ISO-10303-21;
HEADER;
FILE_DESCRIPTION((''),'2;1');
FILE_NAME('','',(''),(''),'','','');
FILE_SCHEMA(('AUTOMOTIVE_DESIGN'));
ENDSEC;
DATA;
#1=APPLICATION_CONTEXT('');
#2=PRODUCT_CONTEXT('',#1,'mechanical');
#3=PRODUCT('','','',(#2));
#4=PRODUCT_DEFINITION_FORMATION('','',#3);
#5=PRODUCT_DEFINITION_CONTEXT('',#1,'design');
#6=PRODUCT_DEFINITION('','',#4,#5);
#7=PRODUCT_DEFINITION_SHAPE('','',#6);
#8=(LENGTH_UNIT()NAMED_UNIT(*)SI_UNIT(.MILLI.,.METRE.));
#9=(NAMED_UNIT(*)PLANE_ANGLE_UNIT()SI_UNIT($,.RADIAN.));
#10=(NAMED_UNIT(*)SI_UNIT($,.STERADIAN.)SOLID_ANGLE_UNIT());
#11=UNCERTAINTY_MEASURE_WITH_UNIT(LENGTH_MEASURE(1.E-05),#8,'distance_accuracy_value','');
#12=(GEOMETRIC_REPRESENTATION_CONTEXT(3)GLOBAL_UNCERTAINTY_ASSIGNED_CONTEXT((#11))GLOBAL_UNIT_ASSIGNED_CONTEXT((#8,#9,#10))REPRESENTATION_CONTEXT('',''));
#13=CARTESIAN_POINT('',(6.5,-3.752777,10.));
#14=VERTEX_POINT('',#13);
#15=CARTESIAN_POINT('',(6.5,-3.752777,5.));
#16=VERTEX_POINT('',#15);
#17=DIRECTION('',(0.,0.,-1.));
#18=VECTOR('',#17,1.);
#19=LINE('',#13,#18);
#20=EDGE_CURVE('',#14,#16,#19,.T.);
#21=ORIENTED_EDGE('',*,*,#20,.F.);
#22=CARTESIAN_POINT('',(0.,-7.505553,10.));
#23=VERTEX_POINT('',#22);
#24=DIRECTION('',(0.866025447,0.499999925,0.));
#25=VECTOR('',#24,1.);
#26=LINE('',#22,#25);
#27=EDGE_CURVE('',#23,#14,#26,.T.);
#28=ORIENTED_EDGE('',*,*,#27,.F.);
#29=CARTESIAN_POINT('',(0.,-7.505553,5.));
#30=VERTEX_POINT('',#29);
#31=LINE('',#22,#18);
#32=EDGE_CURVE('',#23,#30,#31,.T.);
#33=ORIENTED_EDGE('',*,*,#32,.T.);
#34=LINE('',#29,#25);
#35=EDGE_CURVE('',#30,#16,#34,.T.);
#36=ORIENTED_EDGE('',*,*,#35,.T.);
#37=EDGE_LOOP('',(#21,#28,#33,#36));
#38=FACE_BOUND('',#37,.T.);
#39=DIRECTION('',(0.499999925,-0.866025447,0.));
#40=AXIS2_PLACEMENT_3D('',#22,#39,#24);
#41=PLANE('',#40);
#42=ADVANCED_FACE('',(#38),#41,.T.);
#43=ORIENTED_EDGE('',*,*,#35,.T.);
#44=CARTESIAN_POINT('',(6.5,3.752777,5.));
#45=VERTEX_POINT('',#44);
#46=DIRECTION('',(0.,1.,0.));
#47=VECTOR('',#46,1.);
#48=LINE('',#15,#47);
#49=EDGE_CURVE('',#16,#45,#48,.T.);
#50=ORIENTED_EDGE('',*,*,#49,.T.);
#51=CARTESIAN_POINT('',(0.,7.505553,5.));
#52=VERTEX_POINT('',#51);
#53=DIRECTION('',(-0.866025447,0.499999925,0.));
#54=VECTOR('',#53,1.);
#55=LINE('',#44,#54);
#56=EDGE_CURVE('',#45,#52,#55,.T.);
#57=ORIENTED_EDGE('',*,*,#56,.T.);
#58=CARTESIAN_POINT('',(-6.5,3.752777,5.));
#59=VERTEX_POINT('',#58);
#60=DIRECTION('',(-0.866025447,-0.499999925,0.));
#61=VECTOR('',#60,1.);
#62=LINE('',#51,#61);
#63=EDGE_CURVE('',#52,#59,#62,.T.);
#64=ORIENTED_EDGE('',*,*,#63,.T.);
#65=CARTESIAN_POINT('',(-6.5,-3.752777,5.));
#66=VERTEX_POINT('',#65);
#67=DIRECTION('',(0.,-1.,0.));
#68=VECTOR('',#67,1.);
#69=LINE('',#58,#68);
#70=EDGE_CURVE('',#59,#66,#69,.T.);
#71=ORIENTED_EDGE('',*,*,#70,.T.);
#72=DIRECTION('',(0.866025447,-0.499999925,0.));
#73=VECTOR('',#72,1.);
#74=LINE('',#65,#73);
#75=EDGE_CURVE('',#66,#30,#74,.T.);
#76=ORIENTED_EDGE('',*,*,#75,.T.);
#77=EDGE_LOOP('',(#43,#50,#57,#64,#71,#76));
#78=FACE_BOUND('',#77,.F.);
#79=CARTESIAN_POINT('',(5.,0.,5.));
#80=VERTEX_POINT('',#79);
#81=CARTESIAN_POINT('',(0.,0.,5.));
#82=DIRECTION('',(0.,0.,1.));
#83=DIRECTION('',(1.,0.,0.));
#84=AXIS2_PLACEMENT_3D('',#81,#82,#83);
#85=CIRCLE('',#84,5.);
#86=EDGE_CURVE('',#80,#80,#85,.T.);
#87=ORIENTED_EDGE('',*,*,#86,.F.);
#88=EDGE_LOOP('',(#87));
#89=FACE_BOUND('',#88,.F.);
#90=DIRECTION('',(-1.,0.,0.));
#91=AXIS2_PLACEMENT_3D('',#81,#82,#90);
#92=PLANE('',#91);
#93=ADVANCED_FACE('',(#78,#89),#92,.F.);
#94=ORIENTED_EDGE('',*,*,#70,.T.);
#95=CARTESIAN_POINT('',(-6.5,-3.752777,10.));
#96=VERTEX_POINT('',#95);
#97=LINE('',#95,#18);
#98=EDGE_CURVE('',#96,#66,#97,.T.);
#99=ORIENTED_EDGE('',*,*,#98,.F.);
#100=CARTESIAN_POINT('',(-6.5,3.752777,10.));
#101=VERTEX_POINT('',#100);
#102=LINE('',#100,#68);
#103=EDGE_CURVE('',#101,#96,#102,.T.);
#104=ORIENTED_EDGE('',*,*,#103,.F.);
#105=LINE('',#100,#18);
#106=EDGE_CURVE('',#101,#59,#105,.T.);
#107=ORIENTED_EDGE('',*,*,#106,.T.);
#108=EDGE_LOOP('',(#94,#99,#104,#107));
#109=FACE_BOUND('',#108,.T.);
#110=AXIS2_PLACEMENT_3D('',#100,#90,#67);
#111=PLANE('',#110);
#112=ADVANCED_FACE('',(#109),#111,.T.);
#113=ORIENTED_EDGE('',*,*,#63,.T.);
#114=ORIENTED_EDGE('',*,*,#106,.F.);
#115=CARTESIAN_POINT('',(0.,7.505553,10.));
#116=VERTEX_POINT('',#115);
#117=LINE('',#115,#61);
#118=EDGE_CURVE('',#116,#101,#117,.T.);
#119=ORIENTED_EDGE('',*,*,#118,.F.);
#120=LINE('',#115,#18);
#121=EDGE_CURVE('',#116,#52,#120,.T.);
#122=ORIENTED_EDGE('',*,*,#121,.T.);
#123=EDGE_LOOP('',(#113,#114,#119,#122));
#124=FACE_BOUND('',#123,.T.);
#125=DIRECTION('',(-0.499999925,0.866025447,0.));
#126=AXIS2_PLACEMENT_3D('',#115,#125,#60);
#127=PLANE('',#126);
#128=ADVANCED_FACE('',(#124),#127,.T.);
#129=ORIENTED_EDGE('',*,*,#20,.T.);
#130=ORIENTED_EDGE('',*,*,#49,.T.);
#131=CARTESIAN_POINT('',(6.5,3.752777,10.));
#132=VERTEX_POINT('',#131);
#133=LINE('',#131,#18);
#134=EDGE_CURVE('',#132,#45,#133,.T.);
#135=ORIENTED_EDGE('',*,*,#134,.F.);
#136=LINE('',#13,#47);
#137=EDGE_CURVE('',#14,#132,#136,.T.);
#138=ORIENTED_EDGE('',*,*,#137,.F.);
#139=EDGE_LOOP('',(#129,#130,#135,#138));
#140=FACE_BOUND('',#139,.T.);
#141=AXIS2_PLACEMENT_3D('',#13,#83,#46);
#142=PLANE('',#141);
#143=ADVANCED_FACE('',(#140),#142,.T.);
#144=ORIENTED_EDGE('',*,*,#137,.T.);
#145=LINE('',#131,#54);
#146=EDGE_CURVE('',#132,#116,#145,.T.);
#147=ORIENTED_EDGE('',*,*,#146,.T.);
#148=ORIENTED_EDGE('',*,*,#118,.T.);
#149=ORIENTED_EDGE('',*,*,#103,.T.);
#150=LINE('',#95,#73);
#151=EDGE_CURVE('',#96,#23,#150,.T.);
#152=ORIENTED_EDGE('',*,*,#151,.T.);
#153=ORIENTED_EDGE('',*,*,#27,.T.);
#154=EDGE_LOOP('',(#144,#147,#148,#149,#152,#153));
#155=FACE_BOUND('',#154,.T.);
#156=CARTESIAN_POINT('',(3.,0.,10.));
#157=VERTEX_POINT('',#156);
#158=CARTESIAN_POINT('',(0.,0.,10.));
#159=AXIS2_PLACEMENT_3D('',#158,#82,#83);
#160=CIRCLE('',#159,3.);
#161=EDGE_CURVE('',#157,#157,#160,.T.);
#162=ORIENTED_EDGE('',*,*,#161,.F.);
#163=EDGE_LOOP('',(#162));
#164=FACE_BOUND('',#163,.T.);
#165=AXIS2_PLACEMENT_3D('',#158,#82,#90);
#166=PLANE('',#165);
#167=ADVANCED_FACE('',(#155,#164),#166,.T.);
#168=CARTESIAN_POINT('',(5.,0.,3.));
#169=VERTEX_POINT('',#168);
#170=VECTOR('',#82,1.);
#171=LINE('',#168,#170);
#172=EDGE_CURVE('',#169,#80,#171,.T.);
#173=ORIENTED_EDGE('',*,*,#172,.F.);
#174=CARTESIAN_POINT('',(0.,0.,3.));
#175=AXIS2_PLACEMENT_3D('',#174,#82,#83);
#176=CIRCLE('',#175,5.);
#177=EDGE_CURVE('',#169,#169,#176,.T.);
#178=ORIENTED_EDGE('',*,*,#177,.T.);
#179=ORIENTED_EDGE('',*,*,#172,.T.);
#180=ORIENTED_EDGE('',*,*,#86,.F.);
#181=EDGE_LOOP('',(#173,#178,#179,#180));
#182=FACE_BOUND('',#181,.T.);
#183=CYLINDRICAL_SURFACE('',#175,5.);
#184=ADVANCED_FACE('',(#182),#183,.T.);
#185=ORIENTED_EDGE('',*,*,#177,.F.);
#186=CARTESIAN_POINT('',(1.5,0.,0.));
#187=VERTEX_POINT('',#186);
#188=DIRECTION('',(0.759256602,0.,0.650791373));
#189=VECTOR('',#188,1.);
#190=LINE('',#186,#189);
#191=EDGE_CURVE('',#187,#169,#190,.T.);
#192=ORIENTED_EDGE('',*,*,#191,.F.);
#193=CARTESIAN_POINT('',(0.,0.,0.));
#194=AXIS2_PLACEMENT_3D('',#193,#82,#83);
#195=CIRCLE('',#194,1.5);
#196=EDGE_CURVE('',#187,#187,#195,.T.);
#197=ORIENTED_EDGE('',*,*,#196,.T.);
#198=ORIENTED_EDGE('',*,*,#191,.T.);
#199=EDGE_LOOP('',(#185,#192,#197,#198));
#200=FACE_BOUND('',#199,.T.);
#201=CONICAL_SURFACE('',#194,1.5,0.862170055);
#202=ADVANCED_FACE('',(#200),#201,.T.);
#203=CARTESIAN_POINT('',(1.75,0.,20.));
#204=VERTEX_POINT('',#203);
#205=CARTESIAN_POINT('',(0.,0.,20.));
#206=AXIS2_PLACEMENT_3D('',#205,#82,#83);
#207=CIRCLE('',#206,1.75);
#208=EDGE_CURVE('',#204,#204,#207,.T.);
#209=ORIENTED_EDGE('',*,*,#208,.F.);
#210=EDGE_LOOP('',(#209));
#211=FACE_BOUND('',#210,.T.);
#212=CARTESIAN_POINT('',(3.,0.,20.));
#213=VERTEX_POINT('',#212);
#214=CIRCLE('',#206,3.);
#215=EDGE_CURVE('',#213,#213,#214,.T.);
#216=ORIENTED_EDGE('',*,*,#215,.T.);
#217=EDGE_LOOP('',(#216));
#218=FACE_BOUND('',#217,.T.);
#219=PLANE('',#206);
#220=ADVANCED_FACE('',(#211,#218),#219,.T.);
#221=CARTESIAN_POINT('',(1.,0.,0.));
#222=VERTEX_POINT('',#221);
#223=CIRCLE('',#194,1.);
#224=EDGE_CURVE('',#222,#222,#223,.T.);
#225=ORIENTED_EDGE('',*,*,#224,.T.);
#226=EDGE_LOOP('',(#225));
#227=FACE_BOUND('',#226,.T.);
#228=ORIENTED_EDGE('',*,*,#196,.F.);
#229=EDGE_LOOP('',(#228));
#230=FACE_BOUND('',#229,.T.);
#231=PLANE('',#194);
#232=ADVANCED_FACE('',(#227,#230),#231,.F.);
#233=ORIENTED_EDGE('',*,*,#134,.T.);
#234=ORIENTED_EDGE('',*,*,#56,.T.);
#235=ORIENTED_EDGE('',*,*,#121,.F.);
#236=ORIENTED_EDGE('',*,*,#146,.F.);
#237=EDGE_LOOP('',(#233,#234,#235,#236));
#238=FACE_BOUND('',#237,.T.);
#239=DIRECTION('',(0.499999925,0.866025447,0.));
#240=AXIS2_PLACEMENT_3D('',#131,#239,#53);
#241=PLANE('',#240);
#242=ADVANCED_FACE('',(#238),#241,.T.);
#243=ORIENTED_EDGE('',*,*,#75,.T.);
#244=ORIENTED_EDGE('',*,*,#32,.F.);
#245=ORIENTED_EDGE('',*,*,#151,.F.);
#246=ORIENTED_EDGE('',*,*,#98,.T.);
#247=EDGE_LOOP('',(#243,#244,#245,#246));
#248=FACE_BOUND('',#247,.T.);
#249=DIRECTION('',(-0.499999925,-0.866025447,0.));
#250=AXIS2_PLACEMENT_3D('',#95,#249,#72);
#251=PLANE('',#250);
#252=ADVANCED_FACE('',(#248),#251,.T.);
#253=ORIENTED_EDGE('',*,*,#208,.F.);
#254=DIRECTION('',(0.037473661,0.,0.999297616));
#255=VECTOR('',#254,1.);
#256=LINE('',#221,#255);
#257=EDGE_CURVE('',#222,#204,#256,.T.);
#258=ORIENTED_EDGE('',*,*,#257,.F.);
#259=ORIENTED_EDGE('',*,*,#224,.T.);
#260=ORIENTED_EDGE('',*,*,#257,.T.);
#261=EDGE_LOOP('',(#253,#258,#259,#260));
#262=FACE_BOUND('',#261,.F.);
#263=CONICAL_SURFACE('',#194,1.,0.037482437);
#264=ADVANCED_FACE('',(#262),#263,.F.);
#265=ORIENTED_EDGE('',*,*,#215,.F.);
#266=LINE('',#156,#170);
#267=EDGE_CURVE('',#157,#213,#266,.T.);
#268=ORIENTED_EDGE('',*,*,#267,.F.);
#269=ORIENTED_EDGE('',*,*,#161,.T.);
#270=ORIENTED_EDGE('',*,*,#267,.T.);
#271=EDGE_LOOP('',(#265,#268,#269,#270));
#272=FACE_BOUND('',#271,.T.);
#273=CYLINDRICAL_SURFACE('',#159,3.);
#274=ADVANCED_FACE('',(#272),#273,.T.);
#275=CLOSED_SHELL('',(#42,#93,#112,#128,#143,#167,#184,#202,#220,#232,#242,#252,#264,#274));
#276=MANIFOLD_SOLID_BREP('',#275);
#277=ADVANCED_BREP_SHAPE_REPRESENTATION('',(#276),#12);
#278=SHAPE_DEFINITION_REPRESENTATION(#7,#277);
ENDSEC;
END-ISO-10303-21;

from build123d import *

# Parameters (mm, degrees)
PAD_DEPTH = 5


with BuildPart() as part:
    # Sketch → Revolution (revolve)
    with BuildSketch(Plane.XZ):
        Polygon((0, 20), (0, 0), (1.5, 0), (5, 3), (5, 10), (3, 10), (3, 20), align=None)
    revolve(axis=Axis((0, 0, 0), (0, 0, 1)))

    # Sketch001 (on Face4 of Revolution) → Pad (new body)
    with BuildSketch(Plane(origin=(0, 0, 10), x_dir=(-1, 0, 0), z_dir=(0, 0, 1))):
        Polygon((6.5, 3.752777), (0, 7.505553), (-6.5, 3.752777), (-6.5, -3.752777), (0, -7.505553), (6.5, -3.752777), align=None)
    extrude(amount=-PAD_DEPTH)

    # Sketch002 → Groove (revolve, cut)
    with BuildSketch(Plane.XZ):
        Polygon((1.75, 20), (0, 20), (0, 0), (1, 0), align=None)
    revolve(axis=Axis((0, 0, 0), (0, 0, 1)), mode=Mode.SUBTRACT)


solid = part.part
